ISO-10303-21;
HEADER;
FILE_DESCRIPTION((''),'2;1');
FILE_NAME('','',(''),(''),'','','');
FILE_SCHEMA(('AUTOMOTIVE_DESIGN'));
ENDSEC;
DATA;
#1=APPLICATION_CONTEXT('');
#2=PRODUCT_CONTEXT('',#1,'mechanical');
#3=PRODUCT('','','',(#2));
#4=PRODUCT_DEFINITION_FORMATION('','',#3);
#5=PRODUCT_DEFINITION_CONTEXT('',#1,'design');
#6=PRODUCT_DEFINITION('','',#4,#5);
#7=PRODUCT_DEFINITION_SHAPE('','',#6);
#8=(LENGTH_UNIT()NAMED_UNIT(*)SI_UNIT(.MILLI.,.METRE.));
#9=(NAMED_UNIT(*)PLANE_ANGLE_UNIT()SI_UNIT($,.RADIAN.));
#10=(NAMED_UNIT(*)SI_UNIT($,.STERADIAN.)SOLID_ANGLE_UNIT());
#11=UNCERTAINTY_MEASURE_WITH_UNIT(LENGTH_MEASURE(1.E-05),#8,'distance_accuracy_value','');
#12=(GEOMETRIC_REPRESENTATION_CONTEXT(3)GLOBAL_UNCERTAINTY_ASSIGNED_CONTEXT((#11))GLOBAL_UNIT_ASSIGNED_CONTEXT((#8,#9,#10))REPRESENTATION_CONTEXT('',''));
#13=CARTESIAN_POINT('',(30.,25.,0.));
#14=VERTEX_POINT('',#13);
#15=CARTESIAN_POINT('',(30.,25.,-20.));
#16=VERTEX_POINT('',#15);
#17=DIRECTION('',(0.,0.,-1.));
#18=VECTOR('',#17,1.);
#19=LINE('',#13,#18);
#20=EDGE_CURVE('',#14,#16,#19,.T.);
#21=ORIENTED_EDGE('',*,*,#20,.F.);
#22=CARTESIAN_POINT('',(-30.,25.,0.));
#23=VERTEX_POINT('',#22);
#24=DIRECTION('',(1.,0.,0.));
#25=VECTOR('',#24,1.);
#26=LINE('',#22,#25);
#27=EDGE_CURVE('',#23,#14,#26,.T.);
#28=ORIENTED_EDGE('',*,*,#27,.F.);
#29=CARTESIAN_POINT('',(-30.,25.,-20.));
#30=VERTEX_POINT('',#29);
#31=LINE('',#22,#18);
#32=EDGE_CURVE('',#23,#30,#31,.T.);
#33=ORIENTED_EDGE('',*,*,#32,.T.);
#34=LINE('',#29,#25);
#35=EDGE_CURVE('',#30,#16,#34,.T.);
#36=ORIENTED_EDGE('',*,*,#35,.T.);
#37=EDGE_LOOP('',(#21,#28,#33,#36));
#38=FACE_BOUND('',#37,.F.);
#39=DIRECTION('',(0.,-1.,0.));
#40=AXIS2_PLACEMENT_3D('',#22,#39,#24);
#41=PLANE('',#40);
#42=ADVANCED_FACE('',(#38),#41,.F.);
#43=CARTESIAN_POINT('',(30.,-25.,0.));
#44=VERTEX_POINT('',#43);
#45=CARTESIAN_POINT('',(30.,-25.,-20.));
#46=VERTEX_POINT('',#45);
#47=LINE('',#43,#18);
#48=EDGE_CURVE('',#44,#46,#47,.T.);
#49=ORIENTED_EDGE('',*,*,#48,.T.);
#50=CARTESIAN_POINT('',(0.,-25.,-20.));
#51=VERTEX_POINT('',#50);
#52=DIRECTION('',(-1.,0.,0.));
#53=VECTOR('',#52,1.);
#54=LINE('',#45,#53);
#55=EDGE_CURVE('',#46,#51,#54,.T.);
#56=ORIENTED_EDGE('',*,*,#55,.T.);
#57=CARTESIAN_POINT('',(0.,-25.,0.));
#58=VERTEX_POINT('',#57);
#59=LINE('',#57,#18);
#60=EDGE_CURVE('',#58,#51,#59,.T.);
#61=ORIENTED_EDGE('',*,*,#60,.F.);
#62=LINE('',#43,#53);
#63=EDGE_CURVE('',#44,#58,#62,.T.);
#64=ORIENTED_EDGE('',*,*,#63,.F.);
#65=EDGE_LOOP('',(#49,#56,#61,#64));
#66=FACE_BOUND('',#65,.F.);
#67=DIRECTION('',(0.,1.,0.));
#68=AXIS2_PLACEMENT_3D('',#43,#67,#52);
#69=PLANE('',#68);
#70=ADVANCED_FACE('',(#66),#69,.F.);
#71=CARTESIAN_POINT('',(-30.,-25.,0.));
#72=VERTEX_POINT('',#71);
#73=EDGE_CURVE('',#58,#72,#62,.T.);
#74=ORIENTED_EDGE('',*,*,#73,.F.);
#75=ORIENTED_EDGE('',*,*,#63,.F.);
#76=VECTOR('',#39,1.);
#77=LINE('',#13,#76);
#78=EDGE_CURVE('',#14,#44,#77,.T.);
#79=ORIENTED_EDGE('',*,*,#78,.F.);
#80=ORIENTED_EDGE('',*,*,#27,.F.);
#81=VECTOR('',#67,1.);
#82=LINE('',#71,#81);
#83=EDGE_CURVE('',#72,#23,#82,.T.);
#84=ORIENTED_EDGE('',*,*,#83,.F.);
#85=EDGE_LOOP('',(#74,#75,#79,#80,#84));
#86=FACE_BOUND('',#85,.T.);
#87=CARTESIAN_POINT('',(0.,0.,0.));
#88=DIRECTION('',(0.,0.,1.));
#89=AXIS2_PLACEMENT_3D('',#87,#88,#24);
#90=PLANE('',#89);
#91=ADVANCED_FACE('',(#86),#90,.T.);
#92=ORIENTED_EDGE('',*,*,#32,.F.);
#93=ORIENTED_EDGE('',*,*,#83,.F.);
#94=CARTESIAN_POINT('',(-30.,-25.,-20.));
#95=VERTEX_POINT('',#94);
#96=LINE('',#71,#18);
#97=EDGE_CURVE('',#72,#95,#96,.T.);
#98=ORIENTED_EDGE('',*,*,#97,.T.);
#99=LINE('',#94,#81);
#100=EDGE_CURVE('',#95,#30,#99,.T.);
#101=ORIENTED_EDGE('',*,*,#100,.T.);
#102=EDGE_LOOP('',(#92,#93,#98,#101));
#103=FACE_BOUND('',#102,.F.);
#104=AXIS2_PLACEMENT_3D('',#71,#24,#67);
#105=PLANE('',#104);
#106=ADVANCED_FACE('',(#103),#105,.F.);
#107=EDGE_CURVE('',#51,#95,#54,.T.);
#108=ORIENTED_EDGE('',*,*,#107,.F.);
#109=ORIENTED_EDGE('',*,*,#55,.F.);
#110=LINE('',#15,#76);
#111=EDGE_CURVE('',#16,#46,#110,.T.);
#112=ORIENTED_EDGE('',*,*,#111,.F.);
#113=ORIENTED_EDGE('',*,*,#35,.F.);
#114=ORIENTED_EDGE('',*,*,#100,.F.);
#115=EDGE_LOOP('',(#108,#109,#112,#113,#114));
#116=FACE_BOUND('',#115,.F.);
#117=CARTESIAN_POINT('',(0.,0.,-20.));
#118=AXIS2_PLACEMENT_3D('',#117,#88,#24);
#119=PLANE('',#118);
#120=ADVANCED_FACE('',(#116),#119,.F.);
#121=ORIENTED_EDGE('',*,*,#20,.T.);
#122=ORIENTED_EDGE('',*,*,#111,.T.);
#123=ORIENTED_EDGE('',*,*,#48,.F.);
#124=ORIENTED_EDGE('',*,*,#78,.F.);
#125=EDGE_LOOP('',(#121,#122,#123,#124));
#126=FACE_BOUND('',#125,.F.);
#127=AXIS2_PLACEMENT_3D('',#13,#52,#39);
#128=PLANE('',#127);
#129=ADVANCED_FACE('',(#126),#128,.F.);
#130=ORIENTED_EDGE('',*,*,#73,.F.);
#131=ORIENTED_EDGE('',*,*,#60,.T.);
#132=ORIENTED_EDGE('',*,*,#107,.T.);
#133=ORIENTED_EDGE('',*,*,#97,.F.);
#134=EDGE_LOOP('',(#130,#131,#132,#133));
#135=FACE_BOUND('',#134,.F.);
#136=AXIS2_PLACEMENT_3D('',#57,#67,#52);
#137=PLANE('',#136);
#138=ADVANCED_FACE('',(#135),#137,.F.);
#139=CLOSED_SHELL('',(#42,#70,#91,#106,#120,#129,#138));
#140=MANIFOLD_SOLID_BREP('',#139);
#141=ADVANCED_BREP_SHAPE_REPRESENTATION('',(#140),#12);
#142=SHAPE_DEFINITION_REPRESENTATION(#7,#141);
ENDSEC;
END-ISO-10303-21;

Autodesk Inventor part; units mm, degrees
ref_plane "YZ Plane" through (0, 0, 0) normal (1, 0, 0) x (0, 1, 0)
ref_plane "XZ Plane" through (0, 0, 0) normal (0, 1, 0) x (-1, 0, 0)
ref_plane "XY Plane" through (0, 0, 0) normal (0, 0, 1) x (1, 0, 0)
sketch "Skizze1" plane through (0, 0, 0) normal (0, 0, 1) x (1, 0, 0)
  line L0 (-30, 25) -> (30, 25)
  line L1 (30, 25) -> (30, -25)
  line L2 (30, -25) -> (-30, -25)
  line L3 (-30, -25) -> (-30, 25)
  line L4 (0, -25) -> (0, 10.197)
  point P0 (0, 0)
  point P1 (-30, 0)
  point P2 (0, 25)
  dimension "d0" = 60
  dimension "d1" = 50
extrude "Extrusion1" add sketch "Skizze1" against normal blind 20
sketch "Skizze2" plane through (0, 0, 0) normal (0, 0, 1) x (1, 0, 0)
  line L0 (30, -25) -> (-30, -25) projected
  line L1 (0, -25) -> (0, 10.197)
  circle A0 centre (0, 10.197) radius 5
  point P0 (0, 0)
  dimension "d6" = 35.197
  dimension "d8" = 10
sketch "Skizze3" plane through (0, 0, -20) normal (0, 0, -1) x (-1, 0, 0)
  line L0 (-30, -25) -> (30, -25) projected
  line L1 (0, -25) -> (0, 10.197)
  circle A0 centre (0, 10.197) radius 5
  point P0 (0, 0)
  dimension "d7" = 35.197
  dimension "d9" = 10
sketch "Skizze4" plane through (-30, 25, 0) normal (0, 1, 0) x (1, 0, 0)
  line L0 (16.6068, 7.4409) -> (69.3206, 7.4409) construction
  line L1 (69.3206, 7.4409) -> (69.3206, -2.9881) construction
  line L2 (69.3206, -2.9881) -> (16.6068, -2.9881) construction
  line L3 (16.6068, -2.9881) -> (16.6068, 7.4409) construction
  point P0 (30, 0)
properties part number "Wechselmotor"
